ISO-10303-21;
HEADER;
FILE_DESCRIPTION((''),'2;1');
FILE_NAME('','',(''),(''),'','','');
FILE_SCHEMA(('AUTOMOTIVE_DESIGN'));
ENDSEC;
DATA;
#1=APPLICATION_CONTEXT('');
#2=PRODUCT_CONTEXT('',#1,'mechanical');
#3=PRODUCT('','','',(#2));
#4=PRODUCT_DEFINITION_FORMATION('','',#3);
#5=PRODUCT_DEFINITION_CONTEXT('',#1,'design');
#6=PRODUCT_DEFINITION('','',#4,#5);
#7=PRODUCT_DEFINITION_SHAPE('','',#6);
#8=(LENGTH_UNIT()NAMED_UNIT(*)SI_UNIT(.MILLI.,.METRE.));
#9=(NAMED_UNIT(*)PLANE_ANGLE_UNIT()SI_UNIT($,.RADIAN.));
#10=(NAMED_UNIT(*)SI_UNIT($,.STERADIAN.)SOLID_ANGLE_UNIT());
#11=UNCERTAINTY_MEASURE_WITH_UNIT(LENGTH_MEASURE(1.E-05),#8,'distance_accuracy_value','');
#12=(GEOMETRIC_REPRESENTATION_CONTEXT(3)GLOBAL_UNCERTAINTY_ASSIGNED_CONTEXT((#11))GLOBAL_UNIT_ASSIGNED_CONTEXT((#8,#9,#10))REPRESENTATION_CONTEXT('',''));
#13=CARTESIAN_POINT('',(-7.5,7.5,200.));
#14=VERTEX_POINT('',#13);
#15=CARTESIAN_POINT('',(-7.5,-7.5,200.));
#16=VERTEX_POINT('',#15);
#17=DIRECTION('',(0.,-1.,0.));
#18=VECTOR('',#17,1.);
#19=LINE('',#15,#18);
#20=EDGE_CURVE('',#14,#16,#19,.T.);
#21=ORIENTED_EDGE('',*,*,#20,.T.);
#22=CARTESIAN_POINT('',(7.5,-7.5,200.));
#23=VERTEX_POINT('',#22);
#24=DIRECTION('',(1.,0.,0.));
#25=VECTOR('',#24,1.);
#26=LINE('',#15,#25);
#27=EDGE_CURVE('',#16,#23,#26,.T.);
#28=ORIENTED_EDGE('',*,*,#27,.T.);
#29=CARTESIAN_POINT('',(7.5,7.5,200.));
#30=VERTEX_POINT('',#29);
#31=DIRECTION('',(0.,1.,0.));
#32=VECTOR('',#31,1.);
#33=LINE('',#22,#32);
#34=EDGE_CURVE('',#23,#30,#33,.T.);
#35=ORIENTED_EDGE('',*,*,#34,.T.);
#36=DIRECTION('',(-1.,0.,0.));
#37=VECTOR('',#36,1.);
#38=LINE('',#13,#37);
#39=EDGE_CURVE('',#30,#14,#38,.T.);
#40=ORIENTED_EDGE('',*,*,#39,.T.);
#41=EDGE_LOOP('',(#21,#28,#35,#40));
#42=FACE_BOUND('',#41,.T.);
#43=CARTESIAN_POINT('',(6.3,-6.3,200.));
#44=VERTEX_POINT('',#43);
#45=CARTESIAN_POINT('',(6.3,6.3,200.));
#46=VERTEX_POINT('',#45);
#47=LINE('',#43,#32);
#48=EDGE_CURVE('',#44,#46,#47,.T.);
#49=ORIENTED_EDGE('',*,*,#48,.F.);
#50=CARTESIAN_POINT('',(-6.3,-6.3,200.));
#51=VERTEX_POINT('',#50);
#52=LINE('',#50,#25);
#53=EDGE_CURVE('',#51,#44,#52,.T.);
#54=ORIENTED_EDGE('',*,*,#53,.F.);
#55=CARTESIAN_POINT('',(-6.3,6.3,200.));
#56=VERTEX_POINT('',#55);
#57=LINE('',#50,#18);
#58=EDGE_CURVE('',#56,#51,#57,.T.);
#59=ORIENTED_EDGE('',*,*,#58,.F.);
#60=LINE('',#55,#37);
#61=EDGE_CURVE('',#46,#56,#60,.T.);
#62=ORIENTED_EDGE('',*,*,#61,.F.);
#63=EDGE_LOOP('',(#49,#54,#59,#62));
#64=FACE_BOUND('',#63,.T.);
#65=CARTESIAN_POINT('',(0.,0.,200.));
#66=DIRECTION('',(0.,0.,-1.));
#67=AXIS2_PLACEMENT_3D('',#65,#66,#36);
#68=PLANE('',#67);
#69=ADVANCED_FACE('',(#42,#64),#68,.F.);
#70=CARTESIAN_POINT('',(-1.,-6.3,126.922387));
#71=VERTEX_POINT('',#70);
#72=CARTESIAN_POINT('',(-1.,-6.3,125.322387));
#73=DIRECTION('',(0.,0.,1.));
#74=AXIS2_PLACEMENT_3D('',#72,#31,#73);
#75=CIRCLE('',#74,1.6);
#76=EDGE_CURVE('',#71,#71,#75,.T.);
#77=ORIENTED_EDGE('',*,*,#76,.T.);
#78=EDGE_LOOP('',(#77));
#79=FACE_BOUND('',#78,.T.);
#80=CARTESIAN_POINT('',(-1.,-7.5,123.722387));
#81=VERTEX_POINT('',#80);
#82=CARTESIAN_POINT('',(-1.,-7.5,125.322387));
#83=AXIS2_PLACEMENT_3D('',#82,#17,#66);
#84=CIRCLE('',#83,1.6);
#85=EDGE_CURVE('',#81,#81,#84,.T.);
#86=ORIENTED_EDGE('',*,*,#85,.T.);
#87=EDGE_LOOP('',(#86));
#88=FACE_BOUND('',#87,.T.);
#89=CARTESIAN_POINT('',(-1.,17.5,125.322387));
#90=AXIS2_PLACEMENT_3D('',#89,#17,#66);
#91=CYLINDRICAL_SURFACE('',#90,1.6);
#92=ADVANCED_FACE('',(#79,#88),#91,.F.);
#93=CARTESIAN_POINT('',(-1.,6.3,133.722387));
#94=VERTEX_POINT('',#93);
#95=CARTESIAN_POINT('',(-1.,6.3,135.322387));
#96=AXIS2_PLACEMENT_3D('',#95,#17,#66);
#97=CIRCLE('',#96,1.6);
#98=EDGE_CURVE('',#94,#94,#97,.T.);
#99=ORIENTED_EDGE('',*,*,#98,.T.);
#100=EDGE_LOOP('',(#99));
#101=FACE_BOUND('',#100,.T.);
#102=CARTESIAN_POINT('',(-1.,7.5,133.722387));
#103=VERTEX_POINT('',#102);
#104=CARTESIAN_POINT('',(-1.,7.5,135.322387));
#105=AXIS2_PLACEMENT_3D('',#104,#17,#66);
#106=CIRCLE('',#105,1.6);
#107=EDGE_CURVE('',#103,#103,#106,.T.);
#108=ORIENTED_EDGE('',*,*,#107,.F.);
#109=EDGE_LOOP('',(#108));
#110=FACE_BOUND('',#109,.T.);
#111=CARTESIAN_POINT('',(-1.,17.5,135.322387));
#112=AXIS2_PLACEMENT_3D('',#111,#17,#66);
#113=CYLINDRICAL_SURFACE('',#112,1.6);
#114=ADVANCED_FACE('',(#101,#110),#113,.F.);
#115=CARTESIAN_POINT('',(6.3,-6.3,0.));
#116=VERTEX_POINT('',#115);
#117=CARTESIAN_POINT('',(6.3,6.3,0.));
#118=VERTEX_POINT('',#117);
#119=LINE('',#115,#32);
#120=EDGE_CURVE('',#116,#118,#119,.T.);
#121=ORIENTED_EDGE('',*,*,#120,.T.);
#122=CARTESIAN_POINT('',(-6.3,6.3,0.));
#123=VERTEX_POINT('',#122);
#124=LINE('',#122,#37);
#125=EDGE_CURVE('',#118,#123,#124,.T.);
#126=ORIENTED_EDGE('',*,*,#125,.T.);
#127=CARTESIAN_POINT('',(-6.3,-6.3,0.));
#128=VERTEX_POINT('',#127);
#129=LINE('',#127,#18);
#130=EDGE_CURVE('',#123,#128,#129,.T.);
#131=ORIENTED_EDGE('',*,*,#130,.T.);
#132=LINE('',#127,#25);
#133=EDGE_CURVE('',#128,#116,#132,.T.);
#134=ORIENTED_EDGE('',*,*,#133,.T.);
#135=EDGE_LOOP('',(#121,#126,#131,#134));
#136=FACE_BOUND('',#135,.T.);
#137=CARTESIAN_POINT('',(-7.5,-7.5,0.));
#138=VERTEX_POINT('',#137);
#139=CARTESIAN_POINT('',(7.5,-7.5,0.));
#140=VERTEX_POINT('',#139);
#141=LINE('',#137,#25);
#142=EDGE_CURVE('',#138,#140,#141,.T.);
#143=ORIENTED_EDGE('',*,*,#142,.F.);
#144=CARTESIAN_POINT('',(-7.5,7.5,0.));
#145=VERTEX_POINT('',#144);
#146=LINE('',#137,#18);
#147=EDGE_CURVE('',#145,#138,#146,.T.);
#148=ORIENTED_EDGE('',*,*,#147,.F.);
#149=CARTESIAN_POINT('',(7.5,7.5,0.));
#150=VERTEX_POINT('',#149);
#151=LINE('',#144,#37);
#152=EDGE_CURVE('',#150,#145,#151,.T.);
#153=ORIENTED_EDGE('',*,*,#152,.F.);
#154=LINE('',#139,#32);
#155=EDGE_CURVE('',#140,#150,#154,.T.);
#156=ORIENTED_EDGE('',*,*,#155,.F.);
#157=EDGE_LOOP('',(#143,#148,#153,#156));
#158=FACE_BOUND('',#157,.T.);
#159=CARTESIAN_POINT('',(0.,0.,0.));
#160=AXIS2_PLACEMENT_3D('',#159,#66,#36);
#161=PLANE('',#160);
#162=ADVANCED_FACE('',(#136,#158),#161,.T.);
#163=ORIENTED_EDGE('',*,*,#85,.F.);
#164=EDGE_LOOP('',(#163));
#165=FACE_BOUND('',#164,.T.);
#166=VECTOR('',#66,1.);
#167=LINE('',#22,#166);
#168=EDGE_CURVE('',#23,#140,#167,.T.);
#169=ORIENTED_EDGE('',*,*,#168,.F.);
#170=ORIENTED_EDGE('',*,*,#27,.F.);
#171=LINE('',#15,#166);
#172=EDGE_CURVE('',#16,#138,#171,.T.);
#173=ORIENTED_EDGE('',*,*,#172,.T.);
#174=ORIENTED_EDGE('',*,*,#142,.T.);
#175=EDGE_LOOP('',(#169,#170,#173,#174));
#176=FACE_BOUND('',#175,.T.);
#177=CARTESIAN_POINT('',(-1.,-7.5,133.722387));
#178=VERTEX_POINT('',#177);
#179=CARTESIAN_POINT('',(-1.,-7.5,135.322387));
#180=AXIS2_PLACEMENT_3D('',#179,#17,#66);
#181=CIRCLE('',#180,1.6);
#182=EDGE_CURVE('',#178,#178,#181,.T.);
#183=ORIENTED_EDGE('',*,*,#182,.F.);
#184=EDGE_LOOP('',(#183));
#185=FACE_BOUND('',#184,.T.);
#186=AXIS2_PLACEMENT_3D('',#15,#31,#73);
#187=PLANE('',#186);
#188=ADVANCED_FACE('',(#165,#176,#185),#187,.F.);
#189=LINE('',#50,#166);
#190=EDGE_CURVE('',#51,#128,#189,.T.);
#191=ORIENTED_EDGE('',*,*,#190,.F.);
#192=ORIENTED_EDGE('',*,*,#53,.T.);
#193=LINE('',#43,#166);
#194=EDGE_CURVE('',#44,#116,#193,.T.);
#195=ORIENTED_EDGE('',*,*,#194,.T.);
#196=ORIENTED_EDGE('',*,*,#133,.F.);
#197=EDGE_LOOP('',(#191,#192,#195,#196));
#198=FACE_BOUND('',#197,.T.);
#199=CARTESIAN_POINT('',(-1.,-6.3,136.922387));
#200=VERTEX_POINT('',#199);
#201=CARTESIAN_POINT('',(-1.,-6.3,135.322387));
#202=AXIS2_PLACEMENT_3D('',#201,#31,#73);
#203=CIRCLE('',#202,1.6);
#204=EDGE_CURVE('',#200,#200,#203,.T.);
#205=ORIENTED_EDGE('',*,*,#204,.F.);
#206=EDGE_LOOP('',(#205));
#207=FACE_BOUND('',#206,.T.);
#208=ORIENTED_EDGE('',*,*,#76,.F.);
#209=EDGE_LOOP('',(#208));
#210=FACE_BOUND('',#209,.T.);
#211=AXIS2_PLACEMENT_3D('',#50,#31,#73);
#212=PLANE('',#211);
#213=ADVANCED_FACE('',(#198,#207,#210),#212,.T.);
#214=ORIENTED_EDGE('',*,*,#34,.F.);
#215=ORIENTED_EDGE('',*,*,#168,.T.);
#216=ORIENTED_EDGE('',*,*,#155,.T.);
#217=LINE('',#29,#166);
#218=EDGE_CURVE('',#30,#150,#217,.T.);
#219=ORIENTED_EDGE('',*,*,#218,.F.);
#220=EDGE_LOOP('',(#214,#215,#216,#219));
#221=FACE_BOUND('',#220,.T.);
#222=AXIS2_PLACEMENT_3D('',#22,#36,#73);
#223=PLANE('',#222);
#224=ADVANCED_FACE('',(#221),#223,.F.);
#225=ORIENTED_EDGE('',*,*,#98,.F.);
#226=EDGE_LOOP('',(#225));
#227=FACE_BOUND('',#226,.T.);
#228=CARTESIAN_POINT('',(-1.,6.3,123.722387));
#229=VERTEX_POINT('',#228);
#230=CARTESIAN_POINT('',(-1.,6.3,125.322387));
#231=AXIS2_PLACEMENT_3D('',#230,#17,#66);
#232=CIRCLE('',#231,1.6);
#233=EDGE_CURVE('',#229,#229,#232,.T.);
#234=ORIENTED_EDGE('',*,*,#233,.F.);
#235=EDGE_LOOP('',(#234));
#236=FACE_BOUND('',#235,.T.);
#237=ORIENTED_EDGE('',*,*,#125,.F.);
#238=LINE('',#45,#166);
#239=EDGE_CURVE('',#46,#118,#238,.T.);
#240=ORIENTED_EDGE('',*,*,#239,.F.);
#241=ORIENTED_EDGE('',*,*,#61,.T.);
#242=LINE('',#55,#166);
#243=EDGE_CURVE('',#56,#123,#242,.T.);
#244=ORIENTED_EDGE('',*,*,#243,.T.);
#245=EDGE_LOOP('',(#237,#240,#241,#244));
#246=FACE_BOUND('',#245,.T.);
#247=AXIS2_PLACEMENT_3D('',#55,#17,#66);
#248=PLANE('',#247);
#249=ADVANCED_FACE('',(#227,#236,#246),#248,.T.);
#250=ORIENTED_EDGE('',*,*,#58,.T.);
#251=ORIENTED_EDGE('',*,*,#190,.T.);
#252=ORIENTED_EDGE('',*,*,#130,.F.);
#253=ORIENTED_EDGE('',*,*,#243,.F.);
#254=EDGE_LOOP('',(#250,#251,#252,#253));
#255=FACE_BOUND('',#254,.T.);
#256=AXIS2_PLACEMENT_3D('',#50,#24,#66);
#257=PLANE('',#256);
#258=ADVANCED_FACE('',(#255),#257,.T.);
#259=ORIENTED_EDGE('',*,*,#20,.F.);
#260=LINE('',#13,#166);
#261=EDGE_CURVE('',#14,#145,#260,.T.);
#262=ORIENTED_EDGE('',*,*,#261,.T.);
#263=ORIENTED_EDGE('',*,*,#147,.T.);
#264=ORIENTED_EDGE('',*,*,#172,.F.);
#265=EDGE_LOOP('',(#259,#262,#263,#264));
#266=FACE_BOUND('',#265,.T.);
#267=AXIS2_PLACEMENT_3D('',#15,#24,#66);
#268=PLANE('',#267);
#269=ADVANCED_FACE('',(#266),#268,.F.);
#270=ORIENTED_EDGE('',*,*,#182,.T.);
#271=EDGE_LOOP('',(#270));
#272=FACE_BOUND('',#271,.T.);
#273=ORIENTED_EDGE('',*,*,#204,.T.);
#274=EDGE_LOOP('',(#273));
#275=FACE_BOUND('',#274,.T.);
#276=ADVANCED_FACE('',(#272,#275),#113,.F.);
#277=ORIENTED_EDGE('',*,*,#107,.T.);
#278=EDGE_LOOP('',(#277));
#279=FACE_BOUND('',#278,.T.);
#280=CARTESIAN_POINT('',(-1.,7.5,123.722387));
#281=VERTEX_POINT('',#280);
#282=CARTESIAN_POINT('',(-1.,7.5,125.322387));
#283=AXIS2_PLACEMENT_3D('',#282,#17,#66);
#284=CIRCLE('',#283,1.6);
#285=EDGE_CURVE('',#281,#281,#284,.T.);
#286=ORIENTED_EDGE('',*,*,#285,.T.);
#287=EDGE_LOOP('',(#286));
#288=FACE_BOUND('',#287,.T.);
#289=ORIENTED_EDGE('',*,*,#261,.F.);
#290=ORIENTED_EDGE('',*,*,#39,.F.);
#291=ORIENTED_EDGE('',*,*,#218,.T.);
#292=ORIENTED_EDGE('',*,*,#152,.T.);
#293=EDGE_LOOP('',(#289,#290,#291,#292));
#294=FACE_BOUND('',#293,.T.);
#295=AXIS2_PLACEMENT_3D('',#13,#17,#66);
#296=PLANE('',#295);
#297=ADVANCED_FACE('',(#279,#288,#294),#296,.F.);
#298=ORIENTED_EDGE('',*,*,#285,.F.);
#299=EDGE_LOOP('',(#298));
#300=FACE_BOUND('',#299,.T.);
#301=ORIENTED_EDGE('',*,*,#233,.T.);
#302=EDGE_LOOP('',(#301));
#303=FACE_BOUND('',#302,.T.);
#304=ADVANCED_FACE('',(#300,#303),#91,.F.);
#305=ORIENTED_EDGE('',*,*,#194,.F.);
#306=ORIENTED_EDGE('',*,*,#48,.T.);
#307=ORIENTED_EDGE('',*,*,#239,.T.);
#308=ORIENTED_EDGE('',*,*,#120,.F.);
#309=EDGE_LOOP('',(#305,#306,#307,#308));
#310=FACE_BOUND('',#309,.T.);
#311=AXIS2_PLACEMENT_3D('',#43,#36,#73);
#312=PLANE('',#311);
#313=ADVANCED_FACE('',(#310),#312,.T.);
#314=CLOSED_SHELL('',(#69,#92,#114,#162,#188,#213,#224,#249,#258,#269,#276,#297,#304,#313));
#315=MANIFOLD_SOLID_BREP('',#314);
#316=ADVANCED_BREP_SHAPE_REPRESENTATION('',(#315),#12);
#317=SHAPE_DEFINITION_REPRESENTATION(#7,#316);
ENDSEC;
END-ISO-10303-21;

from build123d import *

# Parameters (mm, degrees)
SKETCH_1_W          = 15
SKETCH_1_H          = 15
SKETCH_1_W_2        = 12.6
SKETCH_1_H_2        = 12.6
EXTRUDE_1_DEPTH     = 200
SKETCH_2_R          = 1.6
CUT_EXTRUDE_1_DEPTH = 25


with BuildPart() as part:
    # 草图1 → 凸台-拉伸1 (new body)
    with BuildSketch(Plane.XY):
        Rectangle(SKETCH_1_W, SKETCH_1_H)
        Rectangle(SKETCH_1_W_2, SKETCH_1_H_2, mode=Mode.SUBTRACT)
    extrude(amount=EXTRUDE_1_DEPTH)

    # 草图2 → 切除-拉伸1 (cut)
    with BuildSketch(Plane.XZ.offset(7.5)):
        with Locations(Location((-1, 135.322387076, 0), (0, 0, 270))):
            Circle(SKETCH_2_R)
        with Locations(Location((-1, 125.322387076, 0), (0, 0, 270))):
            Circle(SKETCH_2_R)
    extrude(amount=-CUT_EXTRUDE_1_DEPTH, mode=Mode.SUBTRACT)


solid = part.part
